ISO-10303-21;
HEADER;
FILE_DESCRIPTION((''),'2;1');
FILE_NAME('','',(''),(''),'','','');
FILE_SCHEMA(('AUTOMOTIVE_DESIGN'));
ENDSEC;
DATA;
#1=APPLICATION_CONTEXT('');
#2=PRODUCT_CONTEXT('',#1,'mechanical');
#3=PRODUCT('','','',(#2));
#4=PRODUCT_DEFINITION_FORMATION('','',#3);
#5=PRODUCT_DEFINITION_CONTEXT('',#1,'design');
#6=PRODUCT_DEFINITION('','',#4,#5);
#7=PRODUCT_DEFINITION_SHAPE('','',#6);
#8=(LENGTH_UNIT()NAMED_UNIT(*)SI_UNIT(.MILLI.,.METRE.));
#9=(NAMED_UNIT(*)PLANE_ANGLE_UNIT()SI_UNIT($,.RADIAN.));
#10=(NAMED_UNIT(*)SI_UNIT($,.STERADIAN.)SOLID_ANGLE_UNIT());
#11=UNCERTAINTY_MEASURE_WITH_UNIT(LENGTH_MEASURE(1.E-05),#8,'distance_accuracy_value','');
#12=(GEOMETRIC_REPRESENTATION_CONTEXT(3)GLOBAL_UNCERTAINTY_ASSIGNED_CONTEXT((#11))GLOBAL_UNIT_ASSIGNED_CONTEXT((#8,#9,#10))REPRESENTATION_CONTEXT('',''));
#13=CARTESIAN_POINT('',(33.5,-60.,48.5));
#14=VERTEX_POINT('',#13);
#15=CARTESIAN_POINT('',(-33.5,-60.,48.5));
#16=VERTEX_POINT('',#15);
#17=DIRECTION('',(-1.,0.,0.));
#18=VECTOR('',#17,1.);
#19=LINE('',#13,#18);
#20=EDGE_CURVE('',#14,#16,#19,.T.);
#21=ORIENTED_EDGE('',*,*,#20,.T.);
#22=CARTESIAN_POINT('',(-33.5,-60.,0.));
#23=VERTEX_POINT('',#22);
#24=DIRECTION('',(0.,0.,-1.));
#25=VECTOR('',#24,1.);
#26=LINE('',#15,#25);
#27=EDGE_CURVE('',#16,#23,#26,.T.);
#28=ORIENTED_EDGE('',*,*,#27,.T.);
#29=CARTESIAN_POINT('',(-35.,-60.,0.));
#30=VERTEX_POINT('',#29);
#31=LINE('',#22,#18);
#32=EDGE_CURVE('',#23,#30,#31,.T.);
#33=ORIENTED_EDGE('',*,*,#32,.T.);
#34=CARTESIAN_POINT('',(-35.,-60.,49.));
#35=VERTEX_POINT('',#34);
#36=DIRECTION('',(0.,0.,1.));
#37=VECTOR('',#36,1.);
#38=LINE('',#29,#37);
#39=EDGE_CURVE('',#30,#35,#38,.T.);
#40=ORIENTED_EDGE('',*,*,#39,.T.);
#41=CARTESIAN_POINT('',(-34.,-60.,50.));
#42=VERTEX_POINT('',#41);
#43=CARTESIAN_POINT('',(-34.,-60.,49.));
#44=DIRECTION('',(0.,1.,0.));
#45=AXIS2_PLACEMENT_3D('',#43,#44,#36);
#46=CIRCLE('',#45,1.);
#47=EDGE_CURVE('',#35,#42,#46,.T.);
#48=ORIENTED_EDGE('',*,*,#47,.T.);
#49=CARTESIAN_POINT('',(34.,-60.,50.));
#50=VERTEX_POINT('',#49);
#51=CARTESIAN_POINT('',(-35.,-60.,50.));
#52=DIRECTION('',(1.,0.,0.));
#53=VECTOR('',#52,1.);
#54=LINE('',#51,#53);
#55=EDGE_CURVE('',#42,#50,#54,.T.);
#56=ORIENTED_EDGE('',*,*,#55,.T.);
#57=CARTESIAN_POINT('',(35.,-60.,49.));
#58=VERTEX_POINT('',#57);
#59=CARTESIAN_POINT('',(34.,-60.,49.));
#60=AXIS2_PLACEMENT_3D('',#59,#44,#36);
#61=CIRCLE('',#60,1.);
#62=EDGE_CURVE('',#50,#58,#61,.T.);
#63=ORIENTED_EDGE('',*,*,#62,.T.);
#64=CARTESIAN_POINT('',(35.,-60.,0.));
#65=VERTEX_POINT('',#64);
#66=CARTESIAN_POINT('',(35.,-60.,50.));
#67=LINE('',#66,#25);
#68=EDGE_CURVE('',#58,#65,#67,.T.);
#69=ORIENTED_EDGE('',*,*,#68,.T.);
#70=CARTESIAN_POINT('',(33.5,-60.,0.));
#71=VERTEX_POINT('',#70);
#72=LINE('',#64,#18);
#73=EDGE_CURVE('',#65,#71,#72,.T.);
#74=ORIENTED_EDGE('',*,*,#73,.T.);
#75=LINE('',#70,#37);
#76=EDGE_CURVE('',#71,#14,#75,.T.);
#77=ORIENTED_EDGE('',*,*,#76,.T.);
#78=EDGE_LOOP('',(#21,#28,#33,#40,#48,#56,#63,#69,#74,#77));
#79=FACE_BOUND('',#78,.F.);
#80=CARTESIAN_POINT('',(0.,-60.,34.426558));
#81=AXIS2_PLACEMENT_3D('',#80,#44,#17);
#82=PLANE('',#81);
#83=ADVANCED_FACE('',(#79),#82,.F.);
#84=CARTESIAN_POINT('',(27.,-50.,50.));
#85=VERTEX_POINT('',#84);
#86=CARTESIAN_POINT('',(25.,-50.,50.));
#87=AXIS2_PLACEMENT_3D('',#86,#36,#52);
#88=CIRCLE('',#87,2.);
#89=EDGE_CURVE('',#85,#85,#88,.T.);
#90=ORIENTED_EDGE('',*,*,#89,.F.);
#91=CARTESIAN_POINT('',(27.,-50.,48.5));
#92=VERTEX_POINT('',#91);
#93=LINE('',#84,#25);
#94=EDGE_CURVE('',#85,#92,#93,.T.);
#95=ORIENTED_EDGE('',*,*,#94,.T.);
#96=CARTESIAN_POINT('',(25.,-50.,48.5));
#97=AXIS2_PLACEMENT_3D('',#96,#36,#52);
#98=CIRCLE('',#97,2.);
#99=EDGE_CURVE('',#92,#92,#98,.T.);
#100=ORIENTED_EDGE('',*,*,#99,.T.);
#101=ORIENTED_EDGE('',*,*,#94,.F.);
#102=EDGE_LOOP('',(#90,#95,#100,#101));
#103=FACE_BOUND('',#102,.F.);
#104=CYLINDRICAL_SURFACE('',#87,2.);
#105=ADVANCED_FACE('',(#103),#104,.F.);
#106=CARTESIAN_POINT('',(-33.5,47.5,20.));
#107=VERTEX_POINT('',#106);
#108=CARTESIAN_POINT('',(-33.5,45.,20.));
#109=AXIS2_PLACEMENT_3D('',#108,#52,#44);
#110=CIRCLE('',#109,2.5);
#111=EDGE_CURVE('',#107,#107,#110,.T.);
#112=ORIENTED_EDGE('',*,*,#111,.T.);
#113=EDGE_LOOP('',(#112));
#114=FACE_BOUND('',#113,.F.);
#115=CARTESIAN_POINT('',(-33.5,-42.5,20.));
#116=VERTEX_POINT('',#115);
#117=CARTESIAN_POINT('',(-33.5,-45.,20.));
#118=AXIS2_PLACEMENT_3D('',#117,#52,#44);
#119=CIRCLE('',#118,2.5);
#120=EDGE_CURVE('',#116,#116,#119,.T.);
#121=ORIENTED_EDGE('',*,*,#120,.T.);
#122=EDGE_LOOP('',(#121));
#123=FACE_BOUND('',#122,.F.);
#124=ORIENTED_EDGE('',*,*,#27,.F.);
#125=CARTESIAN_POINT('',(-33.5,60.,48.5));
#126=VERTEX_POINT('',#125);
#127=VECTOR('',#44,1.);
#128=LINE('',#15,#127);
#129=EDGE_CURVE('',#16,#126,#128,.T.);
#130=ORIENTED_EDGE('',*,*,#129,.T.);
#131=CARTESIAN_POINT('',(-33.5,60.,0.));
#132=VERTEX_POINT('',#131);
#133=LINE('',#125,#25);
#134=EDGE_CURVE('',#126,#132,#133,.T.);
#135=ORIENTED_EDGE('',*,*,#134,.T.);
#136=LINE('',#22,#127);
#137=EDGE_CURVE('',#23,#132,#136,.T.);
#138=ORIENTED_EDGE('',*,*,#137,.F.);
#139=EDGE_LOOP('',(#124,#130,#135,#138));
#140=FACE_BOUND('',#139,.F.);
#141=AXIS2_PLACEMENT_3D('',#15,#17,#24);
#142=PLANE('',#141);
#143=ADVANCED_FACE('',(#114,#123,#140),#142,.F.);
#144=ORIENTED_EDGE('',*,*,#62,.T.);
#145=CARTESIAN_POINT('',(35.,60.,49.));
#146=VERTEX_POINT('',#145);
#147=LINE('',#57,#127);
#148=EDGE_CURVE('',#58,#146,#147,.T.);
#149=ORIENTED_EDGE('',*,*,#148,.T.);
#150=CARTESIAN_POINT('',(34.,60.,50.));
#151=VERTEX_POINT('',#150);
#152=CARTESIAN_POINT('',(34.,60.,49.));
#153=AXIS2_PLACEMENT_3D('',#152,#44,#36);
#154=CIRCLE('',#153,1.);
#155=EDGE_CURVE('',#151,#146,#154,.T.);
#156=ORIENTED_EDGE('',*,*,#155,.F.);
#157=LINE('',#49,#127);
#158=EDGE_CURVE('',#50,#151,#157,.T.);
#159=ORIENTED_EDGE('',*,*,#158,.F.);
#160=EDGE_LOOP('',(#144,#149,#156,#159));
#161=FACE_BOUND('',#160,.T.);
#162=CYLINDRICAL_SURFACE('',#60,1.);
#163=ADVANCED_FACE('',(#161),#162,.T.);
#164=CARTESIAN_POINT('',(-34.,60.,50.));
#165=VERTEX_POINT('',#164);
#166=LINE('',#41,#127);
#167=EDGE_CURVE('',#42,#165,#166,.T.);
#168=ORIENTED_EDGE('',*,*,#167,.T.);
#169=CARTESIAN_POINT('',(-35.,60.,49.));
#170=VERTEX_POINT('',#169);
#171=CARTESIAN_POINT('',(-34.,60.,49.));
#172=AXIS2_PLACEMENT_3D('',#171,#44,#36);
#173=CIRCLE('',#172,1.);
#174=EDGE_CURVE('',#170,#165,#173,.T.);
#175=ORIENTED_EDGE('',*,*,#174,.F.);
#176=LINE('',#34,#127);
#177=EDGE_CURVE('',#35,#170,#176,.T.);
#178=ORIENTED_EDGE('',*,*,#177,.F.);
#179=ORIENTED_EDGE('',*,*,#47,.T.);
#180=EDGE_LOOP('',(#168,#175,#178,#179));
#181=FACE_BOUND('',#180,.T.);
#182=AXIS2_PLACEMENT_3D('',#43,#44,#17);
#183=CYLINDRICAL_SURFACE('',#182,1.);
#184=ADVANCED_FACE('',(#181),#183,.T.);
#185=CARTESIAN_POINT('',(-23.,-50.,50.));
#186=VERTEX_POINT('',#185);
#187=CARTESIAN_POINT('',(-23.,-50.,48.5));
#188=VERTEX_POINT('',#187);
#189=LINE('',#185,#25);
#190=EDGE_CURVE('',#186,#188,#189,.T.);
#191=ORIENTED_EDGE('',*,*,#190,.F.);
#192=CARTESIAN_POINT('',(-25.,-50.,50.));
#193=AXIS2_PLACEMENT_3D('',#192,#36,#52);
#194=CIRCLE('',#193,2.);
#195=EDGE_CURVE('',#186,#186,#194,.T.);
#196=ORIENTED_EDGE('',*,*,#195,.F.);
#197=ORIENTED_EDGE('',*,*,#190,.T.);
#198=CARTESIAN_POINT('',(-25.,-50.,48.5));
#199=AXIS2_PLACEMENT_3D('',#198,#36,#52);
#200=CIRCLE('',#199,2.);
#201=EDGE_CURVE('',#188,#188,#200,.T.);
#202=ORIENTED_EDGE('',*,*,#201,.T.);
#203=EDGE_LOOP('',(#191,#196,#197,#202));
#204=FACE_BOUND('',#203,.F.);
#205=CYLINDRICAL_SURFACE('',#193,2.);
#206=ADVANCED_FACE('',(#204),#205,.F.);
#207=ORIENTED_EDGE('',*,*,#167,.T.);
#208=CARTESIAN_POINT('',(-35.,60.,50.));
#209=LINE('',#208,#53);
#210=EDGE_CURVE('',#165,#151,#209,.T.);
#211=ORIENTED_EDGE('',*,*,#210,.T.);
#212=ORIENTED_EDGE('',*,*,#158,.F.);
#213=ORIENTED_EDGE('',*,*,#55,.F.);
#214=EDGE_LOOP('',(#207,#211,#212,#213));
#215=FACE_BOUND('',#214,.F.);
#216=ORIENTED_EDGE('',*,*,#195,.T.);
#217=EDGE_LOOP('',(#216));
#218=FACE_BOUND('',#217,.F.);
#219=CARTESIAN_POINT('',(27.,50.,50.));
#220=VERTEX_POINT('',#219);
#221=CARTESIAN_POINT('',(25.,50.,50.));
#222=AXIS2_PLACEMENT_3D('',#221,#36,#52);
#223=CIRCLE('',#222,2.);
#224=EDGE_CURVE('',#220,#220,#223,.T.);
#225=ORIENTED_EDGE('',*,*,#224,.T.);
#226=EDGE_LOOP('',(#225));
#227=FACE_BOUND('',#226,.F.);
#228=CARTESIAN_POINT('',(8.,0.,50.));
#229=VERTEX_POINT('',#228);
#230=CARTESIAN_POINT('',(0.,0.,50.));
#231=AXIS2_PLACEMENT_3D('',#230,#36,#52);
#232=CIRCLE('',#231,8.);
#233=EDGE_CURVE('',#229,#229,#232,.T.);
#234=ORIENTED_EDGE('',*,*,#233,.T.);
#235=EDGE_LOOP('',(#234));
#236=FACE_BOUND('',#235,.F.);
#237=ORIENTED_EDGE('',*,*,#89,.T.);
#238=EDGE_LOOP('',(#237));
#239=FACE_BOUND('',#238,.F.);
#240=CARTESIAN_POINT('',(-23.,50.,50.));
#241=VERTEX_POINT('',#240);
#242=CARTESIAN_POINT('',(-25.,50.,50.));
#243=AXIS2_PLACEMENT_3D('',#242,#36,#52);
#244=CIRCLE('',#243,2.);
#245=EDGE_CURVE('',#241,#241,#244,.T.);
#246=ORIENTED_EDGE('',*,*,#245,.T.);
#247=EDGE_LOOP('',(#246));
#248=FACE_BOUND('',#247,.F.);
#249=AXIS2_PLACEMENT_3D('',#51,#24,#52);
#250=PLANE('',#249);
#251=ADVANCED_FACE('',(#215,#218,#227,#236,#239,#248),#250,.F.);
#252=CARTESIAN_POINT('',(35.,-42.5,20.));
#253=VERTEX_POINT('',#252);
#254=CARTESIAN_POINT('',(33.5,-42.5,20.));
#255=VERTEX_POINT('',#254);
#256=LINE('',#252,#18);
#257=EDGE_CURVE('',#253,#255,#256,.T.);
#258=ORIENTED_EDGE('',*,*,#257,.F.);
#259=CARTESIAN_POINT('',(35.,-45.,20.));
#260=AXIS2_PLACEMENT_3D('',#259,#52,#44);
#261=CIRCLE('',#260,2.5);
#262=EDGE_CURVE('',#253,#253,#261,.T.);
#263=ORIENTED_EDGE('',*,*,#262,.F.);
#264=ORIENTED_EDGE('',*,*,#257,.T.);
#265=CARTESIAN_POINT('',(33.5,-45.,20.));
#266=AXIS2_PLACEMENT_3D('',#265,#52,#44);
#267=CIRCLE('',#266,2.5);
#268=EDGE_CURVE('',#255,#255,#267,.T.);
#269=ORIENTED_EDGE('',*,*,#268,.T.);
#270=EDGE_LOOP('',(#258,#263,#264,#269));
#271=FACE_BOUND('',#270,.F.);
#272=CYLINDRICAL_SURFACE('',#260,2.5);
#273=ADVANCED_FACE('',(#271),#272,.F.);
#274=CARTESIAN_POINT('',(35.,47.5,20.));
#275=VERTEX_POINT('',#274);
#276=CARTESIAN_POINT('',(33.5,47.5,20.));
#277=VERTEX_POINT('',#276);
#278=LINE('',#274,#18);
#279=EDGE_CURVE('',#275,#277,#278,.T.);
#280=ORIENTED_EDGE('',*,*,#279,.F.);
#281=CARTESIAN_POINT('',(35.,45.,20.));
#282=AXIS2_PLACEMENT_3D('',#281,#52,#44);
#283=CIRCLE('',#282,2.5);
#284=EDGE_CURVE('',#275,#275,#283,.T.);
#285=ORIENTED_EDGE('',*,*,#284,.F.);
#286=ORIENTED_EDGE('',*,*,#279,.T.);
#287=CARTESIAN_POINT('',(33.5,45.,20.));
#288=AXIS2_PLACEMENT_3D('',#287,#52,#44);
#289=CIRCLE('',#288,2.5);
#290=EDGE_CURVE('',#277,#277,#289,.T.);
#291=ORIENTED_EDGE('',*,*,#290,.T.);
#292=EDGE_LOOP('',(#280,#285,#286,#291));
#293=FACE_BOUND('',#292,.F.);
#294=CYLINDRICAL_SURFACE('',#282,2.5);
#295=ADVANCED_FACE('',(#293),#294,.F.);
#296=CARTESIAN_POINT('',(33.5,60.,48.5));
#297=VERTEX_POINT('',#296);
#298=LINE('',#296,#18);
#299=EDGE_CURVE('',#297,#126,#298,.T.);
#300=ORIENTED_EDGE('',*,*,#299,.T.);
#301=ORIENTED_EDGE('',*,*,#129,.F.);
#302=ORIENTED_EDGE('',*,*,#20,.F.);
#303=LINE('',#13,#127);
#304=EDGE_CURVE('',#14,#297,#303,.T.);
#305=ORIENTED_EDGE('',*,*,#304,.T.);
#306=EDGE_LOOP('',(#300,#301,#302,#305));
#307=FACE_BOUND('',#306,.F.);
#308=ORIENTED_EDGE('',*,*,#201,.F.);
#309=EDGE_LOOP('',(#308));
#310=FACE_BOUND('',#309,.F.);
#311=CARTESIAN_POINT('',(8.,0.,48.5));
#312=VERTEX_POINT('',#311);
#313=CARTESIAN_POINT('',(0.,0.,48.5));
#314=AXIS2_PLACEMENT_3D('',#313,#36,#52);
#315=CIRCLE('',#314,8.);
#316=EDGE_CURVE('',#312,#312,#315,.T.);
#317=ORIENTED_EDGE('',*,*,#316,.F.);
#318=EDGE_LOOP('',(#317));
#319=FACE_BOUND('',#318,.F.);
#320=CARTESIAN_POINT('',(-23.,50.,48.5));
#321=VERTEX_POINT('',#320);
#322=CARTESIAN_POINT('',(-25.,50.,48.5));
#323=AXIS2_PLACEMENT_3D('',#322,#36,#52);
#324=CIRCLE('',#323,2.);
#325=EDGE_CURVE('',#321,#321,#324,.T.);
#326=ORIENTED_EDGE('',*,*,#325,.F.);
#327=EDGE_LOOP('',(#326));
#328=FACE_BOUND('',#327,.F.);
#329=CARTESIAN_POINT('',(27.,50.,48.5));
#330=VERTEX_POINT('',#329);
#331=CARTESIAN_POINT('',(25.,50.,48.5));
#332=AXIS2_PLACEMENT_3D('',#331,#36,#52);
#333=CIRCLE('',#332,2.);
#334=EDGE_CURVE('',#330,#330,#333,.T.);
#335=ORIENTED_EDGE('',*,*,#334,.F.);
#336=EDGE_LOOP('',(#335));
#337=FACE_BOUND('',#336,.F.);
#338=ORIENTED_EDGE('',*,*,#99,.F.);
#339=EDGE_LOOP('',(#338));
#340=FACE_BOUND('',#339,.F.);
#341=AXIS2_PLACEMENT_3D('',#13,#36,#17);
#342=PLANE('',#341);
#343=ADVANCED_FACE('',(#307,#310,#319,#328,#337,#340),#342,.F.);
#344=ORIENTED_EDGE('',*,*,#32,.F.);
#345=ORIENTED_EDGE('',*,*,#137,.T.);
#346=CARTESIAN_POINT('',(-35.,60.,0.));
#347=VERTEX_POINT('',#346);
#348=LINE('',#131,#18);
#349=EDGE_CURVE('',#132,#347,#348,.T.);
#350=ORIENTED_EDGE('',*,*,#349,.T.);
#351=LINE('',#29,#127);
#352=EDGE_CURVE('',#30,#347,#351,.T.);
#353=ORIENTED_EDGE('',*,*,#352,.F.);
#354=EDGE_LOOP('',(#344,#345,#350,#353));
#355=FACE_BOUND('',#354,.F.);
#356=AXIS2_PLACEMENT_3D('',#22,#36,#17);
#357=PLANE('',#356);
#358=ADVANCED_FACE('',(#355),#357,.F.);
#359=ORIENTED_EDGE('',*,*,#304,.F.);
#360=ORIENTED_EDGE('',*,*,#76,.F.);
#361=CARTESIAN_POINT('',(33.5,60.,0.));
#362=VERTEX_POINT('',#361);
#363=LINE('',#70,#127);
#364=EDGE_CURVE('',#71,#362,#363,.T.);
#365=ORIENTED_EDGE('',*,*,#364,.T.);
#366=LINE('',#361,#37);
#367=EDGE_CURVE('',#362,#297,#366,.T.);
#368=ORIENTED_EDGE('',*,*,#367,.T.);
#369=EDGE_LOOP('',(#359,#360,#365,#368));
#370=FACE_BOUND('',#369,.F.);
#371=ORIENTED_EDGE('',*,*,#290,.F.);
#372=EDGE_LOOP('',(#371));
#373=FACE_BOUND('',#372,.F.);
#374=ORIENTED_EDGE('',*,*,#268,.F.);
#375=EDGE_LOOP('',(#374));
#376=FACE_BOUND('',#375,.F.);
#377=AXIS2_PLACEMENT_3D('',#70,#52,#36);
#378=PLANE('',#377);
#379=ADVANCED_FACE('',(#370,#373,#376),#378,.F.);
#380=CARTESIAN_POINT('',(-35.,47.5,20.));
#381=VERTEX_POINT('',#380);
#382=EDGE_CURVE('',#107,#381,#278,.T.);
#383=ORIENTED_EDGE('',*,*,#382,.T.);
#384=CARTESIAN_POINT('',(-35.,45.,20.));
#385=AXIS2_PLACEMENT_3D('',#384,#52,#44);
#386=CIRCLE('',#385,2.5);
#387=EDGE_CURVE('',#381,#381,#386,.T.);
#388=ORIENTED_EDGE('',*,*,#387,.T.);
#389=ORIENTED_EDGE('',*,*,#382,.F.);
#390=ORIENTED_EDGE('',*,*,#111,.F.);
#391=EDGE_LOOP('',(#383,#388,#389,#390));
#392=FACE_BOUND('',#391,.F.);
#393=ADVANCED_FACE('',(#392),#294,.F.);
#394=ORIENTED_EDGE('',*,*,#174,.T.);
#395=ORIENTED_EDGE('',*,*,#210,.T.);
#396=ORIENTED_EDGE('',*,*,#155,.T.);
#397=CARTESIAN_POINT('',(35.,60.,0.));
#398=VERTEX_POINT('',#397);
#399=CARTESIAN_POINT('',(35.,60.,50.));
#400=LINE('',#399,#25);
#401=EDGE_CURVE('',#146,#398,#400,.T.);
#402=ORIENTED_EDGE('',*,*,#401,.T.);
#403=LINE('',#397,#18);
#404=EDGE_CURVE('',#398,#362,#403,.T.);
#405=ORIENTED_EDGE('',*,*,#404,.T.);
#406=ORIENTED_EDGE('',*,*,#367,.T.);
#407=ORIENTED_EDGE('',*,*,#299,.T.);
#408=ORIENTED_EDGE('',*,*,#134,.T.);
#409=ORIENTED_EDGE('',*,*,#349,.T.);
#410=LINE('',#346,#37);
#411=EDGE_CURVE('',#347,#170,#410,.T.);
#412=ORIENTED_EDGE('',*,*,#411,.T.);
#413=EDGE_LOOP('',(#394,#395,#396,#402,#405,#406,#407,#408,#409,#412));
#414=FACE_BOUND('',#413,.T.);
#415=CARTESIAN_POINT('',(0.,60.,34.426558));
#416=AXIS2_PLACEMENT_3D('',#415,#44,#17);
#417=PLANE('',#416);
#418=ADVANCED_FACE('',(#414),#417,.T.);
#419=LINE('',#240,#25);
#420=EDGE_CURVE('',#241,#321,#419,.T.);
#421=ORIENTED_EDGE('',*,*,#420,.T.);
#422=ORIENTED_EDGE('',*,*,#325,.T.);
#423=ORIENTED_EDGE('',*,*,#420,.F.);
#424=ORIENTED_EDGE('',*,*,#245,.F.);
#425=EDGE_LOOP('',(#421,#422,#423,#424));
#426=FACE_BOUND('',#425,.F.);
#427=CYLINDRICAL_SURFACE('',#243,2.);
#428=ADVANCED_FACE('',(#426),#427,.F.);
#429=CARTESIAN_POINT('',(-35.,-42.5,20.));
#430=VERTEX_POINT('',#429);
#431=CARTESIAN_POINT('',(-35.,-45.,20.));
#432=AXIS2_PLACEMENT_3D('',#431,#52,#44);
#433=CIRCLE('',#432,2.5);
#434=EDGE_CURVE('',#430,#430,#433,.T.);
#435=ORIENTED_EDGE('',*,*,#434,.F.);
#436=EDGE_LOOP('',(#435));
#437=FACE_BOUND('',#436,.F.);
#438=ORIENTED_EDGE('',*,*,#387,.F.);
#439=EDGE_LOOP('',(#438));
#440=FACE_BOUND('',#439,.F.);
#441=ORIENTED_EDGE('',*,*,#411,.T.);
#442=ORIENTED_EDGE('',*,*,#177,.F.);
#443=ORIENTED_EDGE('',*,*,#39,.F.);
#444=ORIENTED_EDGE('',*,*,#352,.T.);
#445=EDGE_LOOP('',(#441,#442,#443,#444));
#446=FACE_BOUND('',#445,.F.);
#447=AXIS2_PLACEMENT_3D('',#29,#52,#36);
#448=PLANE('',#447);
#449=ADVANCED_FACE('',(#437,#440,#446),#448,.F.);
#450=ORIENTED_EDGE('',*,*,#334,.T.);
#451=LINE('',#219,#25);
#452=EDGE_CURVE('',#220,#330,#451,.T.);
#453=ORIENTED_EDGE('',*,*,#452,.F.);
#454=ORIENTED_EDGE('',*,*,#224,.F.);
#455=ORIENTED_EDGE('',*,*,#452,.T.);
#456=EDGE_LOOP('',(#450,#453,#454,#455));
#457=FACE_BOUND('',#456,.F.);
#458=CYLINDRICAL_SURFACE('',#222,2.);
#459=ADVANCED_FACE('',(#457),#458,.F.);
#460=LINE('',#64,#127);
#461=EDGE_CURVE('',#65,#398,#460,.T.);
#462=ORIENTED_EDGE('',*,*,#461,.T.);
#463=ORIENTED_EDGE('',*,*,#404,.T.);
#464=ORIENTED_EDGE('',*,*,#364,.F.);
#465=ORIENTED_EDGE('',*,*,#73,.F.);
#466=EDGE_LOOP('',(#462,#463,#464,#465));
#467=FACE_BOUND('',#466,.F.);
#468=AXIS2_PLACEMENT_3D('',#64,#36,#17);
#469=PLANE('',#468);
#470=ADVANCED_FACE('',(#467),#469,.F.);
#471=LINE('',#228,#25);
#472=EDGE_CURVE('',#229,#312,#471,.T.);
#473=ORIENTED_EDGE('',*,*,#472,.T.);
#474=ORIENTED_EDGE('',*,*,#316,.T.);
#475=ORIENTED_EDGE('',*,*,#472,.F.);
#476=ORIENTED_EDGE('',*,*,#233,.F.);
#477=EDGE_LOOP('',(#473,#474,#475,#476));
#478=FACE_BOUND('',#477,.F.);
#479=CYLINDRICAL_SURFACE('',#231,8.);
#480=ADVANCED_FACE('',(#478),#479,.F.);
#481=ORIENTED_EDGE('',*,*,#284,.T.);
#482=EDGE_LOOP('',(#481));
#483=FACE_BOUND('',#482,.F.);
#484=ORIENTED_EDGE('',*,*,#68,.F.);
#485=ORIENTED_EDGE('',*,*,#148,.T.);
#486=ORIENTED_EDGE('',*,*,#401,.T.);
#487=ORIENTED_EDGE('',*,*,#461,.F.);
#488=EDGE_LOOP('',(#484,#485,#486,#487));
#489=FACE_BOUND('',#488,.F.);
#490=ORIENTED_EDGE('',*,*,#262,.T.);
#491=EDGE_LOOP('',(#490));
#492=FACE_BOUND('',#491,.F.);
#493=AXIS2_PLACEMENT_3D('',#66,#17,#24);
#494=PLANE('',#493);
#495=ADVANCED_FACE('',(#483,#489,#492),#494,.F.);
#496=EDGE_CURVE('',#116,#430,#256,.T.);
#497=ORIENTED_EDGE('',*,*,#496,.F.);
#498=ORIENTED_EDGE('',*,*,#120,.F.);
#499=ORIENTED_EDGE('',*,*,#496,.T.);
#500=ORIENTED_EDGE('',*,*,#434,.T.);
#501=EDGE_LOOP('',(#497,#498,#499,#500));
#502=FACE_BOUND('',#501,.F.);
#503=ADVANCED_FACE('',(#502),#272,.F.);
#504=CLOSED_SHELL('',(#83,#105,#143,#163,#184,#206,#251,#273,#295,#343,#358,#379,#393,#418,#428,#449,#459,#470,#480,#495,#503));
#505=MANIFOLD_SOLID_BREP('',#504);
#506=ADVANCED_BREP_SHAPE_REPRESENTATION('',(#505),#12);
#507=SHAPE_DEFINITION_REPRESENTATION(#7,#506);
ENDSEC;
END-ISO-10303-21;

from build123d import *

# Parameters (mm, degrees)
EXTRUDE001_DEPTH                     = 120
EXTRUDE001_ONTO_SKETCH004_ROLL_ANGLE = 90
FILLET_R                             = 1
SKETCH005_R                          = 2.5
POCKET_DEPTH                         = 71
SKETCH007_R                          = 8
SKETCH007_R_2                        = 2
POCKET001_DEPTH                      = 5


with BuildPart() as part:
    # Sketch004 as drawn → Extrude001 (new)
    with BuildSketch(Plane.XY):
        Polygon((-35, 0), (-35, 50), (35, 50), (35, 0), (33.5, 0), (33.5, 48.5), (-33.5, 48.5), (-33.5, 0), align=None)
    extrude(amount=-EXTRUDE001_DEPTH)


with BuildPart() as part_1:
    # Extrude001 onto Sketch004 roll: moved
    add(part.part.rotate(Axis((0, 0, 0), (1, 0, 0)), EXTRUDE001_ONTO_SKETCH004_ROLL_ANGLE))


with BuildPart() as part_2:
    # Extrude001 onto Sketch004 placement: moved
    add(part_1.part)


with BuildPart() as part_3:
    # Extrude001 placement: moved
    add(part_2.part.moved(Location((0, -60, 0))))

    # Fillet
    fillet_edges = [part_3.edges().sort_by_distance(p)[0] for p in [
        (-35, 0, 50),
        (35, 0, 50),
    ]]
    fillet(fillet_edges, radius=FILLET_R)

    # Sketch005 → Pocket (cut)
    with BuildSketch(Plane.YZ.offset(35)):
        with Locations((-45, 20)):
            Circle(SKETCH005_R)
        with Locations((45, 20)):
            Circle(SKETCH005_R)
    extrude(amount=-POCKET_DEPTH, mode=Mode.SUBTRACT)

    # Sketch007 → Pocket001 (cut)
    with BuildSketch(Plane.XY.offset(50)):
        Circle(SKETCH007_R)
        with Locations((-25, 50)):
            Circle(SKETCH007_R_2)
        with Locations((25, 50)):
            Circle(SKETCH007_R_2)
        with Locations((-25, -50)):
            Circle(SKETCH007_R_2)
        with Locations((25, -50)):
            Circle(SKETCH007_R_2)
    extrude(amount=-POCKET001_DEPTH, mode=Mode.SUBTRACT)


solid = part_3.part
